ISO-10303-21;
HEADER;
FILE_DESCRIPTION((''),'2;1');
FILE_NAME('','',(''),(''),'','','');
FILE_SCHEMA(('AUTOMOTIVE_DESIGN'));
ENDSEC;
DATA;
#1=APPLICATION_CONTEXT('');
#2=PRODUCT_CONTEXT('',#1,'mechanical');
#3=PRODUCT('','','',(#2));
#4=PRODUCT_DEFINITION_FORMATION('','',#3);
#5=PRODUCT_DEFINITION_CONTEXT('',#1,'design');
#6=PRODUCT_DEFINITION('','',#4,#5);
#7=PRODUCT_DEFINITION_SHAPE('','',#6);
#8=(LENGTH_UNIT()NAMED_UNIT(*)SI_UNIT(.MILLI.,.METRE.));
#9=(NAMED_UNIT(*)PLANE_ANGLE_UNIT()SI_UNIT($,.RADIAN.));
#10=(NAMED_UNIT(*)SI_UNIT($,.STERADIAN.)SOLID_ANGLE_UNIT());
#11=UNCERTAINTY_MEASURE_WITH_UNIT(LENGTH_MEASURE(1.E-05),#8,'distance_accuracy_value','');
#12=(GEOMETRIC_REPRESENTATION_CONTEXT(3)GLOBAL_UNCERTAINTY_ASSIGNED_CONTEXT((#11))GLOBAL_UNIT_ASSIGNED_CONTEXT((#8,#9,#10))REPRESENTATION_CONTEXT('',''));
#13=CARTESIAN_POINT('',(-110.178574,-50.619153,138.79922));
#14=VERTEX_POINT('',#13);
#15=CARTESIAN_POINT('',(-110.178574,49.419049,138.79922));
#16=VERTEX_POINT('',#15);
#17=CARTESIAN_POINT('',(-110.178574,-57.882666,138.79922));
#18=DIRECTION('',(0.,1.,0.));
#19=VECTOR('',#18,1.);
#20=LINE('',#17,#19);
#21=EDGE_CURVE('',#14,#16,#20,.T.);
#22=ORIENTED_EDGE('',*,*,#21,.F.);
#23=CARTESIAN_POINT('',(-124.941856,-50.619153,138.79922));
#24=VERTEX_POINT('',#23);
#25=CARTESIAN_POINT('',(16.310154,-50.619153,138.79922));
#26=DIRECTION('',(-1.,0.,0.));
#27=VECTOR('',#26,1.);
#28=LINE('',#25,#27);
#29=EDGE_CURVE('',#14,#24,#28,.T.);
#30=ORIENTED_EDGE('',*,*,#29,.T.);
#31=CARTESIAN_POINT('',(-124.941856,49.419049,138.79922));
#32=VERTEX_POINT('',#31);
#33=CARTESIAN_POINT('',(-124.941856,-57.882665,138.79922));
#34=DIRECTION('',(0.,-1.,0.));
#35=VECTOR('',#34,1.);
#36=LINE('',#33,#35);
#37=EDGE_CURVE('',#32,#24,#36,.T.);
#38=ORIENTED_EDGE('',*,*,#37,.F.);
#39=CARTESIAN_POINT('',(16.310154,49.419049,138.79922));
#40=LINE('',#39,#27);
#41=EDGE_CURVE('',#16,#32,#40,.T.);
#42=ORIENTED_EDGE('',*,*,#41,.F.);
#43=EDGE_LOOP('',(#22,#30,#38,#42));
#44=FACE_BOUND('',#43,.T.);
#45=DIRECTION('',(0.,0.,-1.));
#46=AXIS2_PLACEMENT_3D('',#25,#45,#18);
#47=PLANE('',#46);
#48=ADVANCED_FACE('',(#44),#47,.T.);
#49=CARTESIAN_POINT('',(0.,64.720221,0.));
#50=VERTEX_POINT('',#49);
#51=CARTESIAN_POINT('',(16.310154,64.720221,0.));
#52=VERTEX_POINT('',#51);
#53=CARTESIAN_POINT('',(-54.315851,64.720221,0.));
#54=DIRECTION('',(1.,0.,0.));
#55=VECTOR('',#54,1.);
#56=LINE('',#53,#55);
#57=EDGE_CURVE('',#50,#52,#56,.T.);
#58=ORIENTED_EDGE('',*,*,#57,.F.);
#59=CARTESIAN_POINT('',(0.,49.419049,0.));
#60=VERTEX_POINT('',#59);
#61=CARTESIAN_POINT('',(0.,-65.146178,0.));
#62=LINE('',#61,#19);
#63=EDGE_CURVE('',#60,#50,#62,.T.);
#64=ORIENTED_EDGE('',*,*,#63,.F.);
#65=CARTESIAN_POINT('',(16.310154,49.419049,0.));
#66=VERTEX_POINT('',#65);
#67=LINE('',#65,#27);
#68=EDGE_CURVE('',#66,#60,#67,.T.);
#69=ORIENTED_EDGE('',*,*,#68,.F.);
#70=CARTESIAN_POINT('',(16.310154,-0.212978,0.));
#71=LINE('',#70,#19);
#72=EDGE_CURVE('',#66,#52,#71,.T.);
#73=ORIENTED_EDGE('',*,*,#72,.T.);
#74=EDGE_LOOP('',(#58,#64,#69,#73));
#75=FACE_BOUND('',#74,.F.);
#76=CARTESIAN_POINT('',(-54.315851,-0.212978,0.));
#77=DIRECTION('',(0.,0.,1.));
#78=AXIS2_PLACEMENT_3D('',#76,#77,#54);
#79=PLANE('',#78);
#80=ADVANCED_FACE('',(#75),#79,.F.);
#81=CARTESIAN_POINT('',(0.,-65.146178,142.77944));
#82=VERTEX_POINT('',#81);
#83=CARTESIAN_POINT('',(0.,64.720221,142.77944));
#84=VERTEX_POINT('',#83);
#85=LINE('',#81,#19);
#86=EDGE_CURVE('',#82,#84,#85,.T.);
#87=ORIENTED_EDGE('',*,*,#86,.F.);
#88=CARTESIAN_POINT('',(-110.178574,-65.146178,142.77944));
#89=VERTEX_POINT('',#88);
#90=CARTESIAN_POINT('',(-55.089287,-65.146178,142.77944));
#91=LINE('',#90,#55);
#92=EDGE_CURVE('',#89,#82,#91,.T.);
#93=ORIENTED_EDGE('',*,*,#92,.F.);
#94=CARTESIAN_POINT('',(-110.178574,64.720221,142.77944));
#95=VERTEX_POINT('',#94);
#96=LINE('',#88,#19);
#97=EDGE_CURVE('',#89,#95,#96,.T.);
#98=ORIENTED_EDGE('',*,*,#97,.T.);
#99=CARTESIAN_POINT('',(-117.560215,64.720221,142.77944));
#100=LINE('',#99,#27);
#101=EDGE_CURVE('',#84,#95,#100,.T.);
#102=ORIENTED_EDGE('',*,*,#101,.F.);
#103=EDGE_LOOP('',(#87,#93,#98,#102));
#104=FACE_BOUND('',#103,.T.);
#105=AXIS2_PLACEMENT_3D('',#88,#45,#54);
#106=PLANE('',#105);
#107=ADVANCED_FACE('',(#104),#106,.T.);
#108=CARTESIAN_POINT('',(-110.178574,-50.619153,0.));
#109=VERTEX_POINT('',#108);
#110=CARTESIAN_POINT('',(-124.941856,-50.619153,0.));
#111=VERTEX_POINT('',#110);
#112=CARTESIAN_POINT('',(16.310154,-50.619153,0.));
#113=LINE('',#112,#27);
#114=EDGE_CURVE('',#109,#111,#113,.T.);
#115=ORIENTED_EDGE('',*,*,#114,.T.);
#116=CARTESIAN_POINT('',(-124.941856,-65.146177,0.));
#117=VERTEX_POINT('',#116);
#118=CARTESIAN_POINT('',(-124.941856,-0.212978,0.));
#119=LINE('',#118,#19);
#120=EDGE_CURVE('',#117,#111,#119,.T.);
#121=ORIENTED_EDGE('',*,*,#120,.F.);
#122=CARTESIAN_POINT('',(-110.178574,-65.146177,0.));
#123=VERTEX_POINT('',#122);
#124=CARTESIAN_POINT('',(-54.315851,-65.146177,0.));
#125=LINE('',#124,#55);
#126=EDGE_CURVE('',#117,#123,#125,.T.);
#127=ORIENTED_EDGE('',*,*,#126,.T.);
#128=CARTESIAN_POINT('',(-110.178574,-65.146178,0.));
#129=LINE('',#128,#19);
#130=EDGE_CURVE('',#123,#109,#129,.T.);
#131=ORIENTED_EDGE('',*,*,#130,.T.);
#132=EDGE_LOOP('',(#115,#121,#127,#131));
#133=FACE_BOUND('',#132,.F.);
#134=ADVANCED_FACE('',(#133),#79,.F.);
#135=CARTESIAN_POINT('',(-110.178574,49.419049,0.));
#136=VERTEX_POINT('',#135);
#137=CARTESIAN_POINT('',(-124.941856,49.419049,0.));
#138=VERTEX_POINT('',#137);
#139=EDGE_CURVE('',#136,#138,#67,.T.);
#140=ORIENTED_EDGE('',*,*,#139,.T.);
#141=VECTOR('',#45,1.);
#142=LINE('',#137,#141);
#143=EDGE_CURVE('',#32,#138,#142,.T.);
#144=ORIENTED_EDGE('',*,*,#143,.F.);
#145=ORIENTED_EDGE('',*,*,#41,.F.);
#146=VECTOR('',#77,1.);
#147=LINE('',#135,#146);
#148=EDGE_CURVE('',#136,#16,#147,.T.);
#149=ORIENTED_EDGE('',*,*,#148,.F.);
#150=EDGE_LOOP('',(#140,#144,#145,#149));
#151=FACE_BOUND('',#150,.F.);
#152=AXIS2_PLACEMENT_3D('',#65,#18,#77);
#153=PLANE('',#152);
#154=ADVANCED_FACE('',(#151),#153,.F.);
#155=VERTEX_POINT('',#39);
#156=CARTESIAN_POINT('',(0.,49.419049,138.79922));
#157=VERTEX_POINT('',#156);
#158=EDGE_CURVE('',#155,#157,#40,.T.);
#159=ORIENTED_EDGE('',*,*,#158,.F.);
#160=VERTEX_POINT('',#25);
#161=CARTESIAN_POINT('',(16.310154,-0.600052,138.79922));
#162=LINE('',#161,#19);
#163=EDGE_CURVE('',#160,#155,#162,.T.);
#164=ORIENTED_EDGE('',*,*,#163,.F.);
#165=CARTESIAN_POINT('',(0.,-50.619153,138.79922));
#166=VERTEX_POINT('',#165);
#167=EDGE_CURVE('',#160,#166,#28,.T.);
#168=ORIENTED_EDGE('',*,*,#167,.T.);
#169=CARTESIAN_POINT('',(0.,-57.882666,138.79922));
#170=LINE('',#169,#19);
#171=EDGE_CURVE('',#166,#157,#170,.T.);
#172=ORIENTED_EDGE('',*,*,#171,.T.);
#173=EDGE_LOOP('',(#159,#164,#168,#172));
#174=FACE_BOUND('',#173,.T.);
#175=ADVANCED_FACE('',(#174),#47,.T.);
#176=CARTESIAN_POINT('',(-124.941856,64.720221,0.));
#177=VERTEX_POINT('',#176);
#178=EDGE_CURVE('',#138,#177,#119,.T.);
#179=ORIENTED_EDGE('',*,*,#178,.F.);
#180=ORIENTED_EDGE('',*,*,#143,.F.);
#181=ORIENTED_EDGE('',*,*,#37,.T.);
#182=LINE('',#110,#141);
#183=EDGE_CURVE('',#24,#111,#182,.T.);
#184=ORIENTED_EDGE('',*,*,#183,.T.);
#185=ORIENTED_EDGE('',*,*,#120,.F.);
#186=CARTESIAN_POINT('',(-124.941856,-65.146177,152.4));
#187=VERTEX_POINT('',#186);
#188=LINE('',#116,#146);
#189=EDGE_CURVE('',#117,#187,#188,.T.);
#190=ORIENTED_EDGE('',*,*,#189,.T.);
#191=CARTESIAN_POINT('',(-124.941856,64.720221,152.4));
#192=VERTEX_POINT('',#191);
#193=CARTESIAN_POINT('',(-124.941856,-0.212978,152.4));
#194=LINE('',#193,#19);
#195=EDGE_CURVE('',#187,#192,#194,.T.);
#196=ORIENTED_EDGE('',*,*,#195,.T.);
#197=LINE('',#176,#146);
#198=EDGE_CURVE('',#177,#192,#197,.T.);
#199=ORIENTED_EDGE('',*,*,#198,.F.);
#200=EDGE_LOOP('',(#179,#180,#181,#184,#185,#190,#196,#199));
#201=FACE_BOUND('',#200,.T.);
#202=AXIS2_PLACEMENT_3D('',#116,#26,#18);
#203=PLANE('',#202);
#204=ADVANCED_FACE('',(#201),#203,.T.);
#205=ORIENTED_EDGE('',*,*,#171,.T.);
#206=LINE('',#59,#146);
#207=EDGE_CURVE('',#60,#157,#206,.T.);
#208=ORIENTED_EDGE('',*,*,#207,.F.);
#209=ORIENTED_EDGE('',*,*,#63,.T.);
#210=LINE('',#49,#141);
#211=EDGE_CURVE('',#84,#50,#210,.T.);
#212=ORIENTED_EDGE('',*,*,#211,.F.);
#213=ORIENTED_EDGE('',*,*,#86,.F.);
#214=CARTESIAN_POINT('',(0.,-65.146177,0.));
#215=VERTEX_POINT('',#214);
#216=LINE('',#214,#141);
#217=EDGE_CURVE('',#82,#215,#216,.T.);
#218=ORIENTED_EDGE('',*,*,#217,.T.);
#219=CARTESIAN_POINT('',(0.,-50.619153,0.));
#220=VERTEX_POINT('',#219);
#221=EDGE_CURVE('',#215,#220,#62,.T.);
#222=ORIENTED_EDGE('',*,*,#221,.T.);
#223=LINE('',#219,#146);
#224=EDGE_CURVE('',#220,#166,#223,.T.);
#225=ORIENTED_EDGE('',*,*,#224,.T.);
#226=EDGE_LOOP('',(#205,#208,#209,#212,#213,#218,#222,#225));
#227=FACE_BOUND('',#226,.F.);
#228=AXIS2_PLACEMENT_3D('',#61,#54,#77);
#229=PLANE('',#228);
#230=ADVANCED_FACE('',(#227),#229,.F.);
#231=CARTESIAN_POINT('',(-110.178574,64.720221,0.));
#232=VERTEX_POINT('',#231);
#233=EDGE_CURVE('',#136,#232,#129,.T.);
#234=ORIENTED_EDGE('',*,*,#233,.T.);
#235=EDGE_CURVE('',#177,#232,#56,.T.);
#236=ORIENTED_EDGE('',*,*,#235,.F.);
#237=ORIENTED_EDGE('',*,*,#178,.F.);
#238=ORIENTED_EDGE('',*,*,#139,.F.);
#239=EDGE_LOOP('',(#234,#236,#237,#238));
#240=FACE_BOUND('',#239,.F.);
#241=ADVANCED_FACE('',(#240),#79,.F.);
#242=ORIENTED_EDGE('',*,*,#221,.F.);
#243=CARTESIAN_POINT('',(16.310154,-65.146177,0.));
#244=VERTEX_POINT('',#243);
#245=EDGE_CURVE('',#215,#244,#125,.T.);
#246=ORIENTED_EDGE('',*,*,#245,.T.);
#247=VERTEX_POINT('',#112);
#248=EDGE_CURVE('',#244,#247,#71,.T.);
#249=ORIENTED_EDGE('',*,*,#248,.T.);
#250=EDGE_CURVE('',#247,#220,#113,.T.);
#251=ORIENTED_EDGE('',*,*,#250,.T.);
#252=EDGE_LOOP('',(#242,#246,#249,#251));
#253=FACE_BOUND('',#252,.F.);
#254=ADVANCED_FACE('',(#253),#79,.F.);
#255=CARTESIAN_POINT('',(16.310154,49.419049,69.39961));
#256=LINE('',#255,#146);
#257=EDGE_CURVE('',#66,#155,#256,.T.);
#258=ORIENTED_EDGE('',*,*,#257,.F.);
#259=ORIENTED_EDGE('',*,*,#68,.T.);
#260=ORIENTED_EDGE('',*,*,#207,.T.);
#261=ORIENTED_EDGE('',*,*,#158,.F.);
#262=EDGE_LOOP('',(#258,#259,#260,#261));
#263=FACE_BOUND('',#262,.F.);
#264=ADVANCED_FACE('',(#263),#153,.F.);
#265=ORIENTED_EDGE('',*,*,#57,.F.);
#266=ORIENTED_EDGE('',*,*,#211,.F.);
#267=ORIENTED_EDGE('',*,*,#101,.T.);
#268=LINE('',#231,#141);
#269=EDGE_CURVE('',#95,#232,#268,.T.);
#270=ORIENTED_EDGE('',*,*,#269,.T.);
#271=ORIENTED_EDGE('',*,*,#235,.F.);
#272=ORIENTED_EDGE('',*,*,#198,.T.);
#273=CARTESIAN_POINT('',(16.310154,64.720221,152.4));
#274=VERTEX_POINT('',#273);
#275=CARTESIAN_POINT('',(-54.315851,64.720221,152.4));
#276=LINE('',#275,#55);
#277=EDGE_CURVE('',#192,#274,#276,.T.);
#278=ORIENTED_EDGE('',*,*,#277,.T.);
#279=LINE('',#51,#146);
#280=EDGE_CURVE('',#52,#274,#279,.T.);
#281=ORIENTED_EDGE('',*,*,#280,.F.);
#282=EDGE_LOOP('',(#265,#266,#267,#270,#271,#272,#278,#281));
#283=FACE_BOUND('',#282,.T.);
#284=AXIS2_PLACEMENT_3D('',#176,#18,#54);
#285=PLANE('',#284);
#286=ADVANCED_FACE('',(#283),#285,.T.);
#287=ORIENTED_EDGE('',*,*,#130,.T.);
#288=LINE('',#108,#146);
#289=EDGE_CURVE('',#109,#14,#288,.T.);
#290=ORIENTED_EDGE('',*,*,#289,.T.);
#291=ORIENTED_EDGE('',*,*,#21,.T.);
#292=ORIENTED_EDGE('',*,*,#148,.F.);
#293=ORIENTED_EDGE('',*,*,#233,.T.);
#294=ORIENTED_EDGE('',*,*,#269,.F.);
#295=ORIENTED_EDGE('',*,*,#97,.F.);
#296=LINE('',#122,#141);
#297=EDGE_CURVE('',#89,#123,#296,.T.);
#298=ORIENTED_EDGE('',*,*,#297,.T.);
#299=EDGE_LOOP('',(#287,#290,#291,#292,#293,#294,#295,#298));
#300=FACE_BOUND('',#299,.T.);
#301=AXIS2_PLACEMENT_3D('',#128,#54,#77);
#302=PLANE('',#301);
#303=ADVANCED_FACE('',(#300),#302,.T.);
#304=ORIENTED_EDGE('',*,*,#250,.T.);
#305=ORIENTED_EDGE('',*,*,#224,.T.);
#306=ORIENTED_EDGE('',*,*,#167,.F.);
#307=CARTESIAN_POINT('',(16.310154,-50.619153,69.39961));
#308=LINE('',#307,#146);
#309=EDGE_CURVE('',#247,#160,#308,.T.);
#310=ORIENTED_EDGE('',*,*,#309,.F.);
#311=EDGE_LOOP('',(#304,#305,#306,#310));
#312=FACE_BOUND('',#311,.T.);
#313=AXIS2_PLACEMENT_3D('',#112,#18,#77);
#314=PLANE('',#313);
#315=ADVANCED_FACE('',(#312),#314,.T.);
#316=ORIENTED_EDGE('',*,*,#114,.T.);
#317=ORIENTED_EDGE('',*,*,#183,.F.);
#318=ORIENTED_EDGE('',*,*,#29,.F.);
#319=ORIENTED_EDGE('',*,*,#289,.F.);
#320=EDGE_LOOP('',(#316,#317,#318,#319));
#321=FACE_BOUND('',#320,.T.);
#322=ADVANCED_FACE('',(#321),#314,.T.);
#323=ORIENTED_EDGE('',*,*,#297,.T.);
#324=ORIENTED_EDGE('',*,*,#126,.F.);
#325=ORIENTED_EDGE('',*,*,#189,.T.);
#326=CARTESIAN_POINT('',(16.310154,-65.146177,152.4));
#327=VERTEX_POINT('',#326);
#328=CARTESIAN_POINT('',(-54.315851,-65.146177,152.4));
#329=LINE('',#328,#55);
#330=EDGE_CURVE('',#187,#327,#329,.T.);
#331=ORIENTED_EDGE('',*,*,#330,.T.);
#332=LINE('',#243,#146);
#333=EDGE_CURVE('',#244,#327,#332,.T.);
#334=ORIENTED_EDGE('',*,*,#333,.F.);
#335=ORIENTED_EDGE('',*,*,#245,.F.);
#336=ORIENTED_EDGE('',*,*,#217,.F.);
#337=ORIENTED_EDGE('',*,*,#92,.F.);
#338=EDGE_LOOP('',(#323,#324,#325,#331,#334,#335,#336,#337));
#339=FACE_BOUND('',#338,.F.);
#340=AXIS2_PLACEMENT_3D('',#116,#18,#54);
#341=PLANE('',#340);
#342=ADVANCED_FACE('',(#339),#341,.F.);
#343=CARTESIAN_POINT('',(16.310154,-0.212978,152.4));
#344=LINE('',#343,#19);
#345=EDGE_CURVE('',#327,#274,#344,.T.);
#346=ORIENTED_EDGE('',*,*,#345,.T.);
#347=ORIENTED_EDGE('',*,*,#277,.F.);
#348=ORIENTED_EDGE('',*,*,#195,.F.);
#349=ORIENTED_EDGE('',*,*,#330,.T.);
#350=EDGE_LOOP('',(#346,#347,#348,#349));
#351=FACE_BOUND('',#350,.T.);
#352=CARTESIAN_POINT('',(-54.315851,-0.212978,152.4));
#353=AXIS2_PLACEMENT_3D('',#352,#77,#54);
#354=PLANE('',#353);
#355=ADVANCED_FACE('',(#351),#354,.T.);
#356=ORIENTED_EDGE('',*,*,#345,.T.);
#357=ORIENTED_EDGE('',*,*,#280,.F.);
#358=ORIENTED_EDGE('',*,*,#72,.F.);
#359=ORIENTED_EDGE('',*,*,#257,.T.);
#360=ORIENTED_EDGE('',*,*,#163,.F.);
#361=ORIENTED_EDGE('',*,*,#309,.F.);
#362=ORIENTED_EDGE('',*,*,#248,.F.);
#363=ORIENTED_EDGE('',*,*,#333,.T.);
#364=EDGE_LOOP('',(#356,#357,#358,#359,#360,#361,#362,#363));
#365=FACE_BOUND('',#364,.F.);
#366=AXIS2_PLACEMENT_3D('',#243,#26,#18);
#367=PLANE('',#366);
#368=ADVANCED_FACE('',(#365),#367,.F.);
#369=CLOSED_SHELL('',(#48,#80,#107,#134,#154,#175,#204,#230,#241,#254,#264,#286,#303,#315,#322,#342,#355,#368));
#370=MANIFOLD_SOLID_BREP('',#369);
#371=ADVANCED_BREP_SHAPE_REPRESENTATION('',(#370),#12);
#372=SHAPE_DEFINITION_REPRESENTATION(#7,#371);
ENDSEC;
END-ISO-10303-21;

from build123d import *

# Parameters (mm, degrees)
F0_W     = 141.25201
F0_H     = 129.866399
F1_DEPTH = 152.4
F2_W     = 110.178575
F2_H     = 142.77944
F3_DEPTH = 152.4
F4_W     = 100.038202
F4_H     = 138.79922
F5_DEPTH = 152.4


with BuildPart() as f1:
    # F0 (on Top) → F1 (new body)
    with BuildSketch(Plane.XY):
        with Locations((-54.315851, -0.212978)):
            Rectangle(F0_W, F0_H)
    extrude(amount=F1_DEPTH)

    # F2 (on face) → F3 (cut)
    with BuildSketch(Plane.XZ.offset(65.146178)):
        with Locations((-55.089287, 71.38972)):
            Rectangle(F2_W, F2_H)
    extrude(amount=-F3_DEPTH, mode=Mode.SUBTRACT)

    # F4 (on face) → F5 (cut)
    with BuildSketch(Plane.YZ.offset(16.310154)):
        with Locations((-0.600052, 69.39961)):
            Rectangle(F4_W, F4_H)
    extrude(amount=-F5_DEPTH, mode=Mode.SUBTRACT)


solid = f1.part
